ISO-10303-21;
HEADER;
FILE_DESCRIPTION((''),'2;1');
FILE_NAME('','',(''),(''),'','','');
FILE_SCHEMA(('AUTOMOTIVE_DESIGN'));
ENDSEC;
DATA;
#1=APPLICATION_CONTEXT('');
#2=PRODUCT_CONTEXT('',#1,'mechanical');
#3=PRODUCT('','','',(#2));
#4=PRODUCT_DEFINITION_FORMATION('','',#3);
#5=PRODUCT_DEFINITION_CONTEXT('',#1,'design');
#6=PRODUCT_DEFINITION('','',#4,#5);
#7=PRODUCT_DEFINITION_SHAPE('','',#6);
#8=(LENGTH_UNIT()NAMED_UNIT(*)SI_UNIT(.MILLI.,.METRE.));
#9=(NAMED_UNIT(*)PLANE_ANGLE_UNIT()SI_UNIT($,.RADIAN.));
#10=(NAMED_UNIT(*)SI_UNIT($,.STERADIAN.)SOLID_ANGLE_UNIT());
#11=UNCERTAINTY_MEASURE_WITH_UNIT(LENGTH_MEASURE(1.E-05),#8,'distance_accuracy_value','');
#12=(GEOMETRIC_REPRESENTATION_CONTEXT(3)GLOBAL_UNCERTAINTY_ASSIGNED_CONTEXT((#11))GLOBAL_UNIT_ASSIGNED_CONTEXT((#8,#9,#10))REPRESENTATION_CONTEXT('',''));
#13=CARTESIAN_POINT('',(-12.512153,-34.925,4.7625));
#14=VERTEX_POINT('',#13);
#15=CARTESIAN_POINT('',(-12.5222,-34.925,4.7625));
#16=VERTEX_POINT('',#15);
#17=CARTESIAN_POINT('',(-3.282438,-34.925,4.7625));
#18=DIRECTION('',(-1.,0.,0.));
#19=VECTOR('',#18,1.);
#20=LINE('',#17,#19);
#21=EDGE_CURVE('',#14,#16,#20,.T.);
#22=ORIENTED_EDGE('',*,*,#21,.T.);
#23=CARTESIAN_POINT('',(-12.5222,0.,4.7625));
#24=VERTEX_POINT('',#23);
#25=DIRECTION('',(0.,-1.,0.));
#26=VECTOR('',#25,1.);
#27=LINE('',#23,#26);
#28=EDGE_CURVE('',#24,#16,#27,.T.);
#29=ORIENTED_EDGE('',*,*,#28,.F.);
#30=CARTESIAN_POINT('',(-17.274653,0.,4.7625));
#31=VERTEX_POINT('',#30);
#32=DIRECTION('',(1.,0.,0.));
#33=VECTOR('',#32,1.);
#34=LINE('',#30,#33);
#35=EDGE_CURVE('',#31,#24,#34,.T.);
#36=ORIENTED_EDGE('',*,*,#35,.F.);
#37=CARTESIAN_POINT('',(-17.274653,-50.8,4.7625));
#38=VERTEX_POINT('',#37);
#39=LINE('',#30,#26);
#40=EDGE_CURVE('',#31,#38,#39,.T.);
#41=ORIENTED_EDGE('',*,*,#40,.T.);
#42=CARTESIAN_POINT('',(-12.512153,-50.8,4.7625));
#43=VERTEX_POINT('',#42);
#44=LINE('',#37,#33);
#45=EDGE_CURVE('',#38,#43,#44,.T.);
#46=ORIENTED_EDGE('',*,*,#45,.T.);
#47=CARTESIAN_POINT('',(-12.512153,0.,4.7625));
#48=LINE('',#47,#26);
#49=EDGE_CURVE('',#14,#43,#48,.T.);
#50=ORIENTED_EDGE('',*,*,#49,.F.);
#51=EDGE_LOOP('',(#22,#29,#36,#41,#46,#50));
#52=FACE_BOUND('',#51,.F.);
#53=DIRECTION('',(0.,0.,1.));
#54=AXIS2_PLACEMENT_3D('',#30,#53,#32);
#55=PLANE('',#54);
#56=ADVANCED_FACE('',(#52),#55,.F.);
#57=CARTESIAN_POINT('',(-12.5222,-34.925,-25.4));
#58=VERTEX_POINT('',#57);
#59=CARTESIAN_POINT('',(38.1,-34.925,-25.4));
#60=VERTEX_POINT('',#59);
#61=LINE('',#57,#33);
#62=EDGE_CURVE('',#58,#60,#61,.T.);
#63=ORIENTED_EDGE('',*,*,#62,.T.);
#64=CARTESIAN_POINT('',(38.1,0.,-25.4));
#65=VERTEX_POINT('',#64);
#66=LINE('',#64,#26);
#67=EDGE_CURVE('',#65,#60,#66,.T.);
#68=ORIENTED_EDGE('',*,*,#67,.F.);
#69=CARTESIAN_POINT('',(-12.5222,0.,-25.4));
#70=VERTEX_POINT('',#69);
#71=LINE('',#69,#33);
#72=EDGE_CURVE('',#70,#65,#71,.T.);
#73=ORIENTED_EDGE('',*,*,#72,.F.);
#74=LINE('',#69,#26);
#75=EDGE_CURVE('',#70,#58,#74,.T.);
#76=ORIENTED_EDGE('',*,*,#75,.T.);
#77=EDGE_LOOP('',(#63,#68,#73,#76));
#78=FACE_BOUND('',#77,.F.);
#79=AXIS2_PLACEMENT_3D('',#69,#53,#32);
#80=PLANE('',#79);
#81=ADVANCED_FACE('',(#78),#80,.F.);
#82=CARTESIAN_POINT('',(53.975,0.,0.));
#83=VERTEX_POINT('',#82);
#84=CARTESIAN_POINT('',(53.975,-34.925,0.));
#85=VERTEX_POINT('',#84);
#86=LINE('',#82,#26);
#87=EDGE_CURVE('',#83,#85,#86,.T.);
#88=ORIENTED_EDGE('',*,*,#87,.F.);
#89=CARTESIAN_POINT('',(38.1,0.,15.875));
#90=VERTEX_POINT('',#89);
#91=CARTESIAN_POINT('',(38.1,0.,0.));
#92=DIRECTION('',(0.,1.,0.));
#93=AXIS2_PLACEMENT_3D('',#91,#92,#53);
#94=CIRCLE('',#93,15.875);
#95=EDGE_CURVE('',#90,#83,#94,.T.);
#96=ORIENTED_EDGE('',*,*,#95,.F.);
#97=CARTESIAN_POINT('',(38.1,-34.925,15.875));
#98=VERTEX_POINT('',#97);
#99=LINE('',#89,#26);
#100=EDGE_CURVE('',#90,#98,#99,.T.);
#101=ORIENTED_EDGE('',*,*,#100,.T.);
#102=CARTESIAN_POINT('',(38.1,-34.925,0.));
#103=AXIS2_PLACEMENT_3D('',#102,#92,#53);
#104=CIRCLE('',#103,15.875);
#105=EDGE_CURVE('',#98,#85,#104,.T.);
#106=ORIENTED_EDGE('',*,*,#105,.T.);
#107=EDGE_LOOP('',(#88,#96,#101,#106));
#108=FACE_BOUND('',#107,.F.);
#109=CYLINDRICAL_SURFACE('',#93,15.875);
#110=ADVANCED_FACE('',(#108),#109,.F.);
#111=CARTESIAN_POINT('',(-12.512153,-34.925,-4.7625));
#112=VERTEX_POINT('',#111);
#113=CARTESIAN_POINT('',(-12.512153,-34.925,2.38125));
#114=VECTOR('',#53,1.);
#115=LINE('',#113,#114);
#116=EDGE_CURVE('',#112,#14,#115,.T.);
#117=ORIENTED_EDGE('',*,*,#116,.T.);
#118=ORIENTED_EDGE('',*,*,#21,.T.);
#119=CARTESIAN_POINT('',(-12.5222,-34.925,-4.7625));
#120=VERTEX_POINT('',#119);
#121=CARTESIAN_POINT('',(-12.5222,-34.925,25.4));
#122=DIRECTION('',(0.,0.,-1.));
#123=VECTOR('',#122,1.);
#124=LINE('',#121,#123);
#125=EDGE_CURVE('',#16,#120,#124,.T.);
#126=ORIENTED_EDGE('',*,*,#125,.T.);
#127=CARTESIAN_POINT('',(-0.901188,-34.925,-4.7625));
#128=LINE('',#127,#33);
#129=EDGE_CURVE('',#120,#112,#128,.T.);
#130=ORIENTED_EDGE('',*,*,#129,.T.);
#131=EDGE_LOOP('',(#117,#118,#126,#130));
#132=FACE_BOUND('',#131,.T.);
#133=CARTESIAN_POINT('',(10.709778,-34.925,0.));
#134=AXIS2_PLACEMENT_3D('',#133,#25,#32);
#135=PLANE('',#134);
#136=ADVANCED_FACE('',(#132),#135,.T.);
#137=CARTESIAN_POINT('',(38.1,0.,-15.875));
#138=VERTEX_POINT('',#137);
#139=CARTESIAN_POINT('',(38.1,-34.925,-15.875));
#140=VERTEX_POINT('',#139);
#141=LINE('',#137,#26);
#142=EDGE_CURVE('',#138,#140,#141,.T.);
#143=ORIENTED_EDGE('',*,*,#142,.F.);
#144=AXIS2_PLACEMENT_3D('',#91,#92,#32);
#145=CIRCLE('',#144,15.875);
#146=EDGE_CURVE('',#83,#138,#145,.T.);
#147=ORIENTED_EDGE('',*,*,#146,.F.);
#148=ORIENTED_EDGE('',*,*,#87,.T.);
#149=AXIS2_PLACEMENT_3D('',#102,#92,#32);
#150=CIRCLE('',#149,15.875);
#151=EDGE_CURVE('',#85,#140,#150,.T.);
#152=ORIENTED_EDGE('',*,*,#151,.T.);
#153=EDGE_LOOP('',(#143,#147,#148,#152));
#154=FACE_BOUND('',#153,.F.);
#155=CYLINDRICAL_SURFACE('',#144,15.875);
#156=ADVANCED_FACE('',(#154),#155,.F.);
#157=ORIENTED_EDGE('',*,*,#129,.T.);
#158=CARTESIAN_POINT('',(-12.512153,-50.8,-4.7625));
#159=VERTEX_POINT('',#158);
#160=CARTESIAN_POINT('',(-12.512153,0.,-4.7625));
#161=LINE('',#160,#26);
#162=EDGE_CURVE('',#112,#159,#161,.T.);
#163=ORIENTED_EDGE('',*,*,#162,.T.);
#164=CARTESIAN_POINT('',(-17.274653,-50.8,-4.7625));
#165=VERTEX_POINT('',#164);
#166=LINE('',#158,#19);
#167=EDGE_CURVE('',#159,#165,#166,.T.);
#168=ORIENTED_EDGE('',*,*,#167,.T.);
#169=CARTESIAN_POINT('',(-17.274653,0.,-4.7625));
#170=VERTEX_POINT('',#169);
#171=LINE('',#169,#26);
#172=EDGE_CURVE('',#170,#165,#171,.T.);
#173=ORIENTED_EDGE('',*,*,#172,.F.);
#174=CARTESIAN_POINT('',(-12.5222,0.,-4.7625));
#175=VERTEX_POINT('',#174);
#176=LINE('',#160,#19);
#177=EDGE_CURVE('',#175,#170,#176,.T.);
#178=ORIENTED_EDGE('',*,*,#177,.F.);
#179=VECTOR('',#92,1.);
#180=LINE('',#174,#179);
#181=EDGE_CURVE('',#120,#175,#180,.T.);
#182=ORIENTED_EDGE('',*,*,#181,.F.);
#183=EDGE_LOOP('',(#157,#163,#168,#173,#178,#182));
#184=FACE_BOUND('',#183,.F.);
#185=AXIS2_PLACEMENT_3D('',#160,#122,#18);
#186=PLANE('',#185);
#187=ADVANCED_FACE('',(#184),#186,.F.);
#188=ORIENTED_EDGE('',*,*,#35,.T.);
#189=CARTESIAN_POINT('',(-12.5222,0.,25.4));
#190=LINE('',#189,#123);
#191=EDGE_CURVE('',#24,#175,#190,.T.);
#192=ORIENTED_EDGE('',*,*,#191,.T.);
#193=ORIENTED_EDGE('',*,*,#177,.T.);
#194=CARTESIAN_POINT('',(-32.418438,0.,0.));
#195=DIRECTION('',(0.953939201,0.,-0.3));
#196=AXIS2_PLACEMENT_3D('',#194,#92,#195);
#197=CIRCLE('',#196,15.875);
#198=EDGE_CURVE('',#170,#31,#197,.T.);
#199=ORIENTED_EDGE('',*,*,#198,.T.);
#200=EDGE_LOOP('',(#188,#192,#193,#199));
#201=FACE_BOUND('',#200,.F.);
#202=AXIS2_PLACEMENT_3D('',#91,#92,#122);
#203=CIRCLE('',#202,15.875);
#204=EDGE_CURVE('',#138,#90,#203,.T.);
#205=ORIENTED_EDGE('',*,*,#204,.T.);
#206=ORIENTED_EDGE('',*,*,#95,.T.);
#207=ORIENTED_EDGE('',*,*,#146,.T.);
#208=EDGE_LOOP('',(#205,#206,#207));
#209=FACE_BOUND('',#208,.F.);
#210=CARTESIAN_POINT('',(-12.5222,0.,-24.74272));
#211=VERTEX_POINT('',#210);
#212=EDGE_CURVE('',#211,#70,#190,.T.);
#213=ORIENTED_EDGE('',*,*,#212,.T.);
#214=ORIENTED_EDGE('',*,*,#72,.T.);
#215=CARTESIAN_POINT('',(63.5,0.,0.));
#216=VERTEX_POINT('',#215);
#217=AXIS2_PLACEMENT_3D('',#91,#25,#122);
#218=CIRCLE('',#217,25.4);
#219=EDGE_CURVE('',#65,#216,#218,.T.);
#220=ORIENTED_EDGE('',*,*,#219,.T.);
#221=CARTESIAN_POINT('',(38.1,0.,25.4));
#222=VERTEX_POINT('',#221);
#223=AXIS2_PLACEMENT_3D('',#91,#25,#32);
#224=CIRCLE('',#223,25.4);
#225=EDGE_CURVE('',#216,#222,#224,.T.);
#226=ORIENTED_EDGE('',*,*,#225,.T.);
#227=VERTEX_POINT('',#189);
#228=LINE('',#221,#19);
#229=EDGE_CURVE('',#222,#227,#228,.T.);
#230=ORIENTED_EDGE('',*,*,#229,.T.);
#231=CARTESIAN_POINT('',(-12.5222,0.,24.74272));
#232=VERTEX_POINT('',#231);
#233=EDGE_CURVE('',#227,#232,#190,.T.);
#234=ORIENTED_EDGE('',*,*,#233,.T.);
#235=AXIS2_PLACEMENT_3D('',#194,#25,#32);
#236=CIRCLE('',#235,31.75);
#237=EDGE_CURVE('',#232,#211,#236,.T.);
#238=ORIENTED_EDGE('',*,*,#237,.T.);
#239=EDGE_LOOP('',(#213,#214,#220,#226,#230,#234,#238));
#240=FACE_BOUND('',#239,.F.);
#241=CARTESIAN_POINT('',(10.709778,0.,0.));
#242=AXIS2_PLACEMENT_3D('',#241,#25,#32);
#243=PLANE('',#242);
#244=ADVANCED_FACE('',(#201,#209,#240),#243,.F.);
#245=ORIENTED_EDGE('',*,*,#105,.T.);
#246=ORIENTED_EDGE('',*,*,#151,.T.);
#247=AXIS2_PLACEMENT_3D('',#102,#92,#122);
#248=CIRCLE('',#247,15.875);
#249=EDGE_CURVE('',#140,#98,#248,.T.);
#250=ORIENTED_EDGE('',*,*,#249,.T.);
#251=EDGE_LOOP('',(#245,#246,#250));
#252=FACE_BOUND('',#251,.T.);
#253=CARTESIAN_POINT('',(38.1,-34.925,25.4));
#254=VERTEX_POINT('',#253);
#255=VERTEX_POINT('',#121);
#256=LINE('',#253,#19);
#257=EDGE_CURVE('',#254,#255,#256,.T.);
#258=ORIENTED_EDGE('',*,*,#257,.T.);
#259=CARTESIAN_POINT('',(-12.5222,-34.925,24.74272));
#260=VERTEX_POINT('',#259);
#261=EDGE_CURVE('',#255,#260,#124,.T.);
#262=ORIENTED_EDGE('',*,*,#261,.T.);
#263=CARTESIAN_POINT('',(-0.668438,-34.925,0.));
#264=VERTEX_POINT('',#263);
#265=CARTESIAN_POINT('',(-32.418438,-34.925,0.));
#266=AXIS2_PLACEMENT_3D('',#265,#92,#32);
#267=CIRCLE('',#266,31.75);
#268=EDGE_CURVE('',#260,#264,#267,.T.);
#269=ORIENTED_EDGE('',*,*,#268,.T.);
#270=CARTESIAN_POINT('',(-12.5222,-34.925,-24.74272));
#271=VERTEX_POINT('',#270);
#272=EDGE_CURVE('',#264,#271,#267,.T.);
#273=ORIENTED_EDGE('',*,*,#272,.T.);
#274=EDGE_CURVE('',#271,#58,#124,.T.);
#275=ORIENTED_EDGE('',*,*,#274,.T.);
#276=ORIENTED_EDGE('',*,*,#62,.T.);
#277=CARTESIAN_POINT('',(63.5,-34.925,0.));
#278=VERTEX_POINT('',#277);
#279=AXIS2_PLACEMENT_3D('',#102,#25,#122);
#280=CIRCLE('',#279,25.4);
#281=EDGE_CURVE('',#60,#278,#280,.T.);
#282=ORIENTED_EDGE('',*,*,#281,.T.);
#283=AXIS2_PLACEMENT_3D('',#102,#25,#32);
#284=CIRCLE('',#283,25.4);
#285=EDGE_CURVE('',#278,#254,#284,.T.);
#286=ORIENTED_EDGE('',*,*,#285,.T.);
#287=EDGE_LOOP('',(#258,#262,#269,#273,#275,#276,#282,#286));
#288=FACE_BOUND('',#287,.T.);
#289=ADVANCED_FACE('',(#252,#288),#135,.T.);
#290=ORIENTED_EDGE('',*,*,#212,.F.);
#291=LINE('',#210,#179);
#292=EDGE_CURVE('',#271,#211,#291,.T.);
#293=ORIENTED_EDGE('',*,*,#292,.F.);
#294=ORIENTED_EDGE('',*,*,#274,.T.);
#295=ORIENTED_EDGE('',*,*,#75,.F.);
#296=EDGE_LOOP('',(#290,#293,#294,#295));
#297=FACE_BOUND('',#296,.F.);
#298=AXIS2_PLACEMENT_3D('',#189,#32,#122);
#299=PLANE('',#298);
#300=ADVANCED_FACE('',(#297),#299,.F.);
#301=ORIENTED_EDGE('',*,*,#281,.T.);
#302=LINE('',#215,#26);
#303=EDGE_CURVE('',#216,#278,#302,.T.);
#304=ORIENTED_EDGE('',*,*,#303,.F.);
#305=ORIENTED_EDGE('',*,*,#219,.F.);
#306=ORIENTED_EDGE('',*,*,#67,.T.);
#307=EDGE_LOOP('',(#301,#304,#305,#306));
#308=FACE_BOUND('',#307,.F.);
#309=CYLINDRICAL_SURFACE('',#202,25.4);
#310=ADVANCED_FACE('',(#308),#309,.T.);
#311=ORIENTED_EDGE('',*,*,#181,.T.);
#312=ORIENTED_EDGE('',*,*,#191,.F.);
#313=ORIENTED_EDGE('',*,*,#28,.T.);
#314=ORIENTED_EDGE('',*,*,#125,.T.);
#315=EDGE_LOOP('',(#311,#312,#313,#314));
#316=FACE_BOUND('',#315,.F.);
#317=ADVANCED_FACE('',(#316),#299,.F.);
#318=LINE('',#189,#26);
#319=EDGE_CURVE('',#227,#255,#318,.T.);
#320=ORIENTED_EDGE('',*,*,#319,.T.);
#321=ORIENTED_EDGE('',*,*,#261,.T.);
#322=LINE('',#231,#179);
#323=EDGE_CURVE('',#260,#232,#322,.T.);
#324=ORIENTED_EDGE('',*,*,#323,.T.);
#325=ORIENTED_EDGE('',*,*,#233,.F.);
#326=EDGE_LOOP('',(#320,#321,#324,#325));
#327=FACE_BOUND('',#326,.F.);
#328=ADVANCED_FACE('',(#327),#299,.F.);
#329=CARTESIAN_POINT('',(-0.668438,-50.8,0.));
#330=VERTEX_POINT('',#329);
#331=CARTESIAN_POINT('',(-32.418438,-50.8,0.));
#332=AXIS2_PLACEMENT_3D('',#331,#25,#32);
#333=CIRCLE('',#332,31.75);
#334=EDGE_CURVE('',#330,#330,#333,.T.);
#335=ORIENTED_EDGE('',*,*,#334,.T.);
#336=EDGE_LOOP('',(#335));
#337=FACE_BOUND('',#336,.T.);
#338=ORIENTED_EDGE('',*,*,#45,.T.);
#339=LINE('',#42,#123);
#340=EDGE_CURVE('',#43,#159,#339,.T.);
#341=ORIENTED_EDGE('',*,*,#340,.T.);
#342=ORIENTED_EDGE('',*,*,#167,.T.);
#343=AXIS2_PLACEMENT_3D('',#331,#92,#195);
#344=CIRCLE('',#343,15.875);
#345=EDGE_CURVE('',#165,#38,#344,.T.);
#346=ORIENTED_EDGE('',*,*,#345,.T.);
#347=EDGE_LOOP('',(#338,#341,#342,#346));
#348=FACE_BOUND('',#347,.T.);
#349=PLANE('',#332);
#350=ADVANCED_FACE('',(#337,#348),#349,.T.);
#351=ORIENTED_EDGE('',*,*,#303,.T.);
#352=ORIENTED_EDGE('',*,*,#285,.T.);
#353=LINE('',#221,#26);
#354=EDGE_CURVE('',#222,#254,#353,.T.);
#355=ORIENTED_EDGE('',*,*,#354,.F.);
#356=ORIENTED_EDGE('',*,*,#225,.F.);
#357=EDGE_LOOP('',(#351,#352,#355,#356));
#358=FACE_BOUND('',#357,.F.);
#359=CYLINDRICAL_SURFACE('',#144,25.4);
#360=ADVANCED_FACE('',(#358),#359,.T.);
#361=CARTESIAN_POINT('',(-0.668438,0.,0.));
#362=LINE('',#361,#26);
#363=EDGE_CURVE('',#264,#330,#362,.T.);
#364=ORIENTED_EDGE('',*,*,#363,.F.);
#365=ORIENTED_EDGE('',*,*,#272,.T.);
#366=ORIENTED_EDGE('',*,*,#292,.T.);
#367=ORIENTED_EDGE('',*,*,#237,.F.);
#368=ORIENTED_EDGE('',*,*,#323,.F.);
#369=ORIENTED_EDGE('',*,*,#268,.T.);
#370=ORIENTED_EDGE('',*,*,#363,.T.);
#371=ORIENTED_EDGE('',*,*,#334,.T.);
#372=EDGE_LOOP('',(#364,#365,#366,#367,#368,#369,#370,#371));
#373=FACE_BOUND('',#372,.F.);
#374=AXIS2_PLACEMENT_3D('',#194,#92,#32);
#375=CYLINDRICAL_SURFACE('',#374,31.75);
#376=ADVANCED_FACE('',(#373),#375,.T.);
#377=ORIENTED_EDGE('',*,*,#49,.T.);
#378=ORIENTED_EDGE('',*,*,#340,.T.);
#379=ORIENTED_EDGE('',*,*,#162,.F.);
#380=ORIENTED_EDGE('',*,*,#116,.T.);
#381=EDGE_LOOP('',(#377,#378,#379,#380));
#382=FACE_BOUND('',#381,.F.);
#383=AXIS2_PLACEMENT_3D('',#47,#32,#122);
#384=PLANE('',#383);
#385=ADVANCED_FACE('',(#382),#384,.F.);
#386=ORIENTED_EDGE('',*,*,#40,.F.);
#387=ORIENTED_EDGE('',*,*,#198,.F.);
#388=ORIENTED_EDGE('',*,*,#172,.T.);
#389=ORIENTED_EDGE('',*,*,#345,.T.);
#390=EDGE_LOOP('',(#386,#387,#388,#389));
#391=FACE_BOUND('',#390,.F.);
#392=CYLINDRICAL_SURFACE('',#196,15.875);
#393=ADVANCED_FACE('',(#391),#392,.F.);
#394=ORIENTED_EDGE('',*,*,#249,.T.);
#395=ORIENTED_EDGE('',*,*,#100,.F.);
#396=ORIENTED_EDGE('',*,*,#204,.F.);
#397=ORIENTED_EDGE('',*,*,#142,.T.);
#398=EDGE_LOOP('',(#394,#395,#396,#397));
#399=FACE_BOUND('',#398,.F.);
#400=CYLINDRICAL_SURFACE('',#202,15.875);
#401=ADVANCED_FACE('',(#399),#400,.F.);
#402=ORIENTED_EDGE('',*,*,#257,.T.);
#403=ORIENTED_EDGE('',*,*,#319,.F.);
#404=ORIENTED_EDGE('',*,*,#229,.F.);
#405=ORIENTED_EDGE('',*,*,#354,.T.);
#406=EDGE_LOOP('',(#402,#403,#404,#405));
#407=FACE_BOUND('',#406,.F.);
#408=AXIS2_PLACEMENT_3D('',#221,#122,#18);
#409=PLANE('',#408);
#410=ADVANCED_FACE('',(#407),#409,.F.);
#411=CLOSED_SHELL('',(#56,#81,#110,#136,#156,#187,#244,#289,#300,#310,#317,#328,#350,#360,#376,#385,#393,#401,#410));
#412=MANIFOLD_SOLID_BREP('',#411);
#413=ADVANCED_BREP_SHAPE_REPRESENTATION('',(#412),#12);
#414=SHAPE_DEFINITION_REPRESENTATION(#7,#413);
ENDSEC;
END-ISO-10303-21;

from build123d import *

# Parameters (mm, degrees)
F1_DEPTH = 34.925
F2_R     = 31.75
F3_DEPTH = 50.8


with BuildPart() as f1:
    # F0 (on Front) → F1 (new body)
    with BuildSketch(Plane.XZ):
        with BuildLine():
            Line((38.1, 25.4), (-9.5485188067, 25.4))
            Line((-9.5485188067, 25.4), (-12.5222, 25.4))
            Line((-12.5222, 25.4), (-12.5222, -25.4))
            Line((-12.5222, -25.4), (-9.5485188067, -25.4))
            Line((-9.5485188067, -25.4), (38.1, -25.4))
            ThreePointArc((38.1, -25.4), (12.7, 0), (38.1, 25.4))
        make_face()
        with BuildLine():
            ThreePointArc((63.5, 0), (56.0605122421, 17.9605122421), (38.1, 25.4))
            Line((38.1, 25.4), (38.1, 15.875))
            ThreePointArc((38.1, 15.875), (49.3253201513, 11.2253201513), (53.975, 0))
            ThreePointArc((53.975, 0), (49.3253201513, -11.2253201513), (38.1, -15.875))
            Line((38.1, -15.875), (38.1, -25.4))
            ThreePointArc((38.1, -25.4), (56.0605122421, -17.9605122421), (63.5, 0))
        make_face()
        with BuildLine():
            Line((38.1, 15.875), (38.1, 25.4))
            ThreePointArc((38.1, 25.4), (12.7, 0), (38.1, -25.4))
            Line((38.1, -25.4), (38.1, -15.875))
            ThreePointArc((38.1, -15.875), (22.225, 0), (38.1, 15.875))
        make_face()
    extrude(amount=F1_DEPTH)

    # F2 (on Front) → F3 (join)
    with BuildSketch(Plane.XZ):
        with Locations((-32.41843798, 0)):
            Circle(F2_R)
        with BuildLine():
            ThreePointArc((-17.2746531575, -4.7625), (-48.29343798, 0), (-17.2746531575, 4.7625))
            Line((-17.2746531575, 4.7625), (-12.5121531575, 4.7625))
            Line((-12.5121531575, 4.7625), (-12.5121531575, -4.7625))
            Line((-12.5121531575, -4.7625), (-17.2746531575, -4.7625))
        make_face(mode=Mode.SUBTRACT)
    extrude(amount=F3_DEPTH)


solid = f1.part
